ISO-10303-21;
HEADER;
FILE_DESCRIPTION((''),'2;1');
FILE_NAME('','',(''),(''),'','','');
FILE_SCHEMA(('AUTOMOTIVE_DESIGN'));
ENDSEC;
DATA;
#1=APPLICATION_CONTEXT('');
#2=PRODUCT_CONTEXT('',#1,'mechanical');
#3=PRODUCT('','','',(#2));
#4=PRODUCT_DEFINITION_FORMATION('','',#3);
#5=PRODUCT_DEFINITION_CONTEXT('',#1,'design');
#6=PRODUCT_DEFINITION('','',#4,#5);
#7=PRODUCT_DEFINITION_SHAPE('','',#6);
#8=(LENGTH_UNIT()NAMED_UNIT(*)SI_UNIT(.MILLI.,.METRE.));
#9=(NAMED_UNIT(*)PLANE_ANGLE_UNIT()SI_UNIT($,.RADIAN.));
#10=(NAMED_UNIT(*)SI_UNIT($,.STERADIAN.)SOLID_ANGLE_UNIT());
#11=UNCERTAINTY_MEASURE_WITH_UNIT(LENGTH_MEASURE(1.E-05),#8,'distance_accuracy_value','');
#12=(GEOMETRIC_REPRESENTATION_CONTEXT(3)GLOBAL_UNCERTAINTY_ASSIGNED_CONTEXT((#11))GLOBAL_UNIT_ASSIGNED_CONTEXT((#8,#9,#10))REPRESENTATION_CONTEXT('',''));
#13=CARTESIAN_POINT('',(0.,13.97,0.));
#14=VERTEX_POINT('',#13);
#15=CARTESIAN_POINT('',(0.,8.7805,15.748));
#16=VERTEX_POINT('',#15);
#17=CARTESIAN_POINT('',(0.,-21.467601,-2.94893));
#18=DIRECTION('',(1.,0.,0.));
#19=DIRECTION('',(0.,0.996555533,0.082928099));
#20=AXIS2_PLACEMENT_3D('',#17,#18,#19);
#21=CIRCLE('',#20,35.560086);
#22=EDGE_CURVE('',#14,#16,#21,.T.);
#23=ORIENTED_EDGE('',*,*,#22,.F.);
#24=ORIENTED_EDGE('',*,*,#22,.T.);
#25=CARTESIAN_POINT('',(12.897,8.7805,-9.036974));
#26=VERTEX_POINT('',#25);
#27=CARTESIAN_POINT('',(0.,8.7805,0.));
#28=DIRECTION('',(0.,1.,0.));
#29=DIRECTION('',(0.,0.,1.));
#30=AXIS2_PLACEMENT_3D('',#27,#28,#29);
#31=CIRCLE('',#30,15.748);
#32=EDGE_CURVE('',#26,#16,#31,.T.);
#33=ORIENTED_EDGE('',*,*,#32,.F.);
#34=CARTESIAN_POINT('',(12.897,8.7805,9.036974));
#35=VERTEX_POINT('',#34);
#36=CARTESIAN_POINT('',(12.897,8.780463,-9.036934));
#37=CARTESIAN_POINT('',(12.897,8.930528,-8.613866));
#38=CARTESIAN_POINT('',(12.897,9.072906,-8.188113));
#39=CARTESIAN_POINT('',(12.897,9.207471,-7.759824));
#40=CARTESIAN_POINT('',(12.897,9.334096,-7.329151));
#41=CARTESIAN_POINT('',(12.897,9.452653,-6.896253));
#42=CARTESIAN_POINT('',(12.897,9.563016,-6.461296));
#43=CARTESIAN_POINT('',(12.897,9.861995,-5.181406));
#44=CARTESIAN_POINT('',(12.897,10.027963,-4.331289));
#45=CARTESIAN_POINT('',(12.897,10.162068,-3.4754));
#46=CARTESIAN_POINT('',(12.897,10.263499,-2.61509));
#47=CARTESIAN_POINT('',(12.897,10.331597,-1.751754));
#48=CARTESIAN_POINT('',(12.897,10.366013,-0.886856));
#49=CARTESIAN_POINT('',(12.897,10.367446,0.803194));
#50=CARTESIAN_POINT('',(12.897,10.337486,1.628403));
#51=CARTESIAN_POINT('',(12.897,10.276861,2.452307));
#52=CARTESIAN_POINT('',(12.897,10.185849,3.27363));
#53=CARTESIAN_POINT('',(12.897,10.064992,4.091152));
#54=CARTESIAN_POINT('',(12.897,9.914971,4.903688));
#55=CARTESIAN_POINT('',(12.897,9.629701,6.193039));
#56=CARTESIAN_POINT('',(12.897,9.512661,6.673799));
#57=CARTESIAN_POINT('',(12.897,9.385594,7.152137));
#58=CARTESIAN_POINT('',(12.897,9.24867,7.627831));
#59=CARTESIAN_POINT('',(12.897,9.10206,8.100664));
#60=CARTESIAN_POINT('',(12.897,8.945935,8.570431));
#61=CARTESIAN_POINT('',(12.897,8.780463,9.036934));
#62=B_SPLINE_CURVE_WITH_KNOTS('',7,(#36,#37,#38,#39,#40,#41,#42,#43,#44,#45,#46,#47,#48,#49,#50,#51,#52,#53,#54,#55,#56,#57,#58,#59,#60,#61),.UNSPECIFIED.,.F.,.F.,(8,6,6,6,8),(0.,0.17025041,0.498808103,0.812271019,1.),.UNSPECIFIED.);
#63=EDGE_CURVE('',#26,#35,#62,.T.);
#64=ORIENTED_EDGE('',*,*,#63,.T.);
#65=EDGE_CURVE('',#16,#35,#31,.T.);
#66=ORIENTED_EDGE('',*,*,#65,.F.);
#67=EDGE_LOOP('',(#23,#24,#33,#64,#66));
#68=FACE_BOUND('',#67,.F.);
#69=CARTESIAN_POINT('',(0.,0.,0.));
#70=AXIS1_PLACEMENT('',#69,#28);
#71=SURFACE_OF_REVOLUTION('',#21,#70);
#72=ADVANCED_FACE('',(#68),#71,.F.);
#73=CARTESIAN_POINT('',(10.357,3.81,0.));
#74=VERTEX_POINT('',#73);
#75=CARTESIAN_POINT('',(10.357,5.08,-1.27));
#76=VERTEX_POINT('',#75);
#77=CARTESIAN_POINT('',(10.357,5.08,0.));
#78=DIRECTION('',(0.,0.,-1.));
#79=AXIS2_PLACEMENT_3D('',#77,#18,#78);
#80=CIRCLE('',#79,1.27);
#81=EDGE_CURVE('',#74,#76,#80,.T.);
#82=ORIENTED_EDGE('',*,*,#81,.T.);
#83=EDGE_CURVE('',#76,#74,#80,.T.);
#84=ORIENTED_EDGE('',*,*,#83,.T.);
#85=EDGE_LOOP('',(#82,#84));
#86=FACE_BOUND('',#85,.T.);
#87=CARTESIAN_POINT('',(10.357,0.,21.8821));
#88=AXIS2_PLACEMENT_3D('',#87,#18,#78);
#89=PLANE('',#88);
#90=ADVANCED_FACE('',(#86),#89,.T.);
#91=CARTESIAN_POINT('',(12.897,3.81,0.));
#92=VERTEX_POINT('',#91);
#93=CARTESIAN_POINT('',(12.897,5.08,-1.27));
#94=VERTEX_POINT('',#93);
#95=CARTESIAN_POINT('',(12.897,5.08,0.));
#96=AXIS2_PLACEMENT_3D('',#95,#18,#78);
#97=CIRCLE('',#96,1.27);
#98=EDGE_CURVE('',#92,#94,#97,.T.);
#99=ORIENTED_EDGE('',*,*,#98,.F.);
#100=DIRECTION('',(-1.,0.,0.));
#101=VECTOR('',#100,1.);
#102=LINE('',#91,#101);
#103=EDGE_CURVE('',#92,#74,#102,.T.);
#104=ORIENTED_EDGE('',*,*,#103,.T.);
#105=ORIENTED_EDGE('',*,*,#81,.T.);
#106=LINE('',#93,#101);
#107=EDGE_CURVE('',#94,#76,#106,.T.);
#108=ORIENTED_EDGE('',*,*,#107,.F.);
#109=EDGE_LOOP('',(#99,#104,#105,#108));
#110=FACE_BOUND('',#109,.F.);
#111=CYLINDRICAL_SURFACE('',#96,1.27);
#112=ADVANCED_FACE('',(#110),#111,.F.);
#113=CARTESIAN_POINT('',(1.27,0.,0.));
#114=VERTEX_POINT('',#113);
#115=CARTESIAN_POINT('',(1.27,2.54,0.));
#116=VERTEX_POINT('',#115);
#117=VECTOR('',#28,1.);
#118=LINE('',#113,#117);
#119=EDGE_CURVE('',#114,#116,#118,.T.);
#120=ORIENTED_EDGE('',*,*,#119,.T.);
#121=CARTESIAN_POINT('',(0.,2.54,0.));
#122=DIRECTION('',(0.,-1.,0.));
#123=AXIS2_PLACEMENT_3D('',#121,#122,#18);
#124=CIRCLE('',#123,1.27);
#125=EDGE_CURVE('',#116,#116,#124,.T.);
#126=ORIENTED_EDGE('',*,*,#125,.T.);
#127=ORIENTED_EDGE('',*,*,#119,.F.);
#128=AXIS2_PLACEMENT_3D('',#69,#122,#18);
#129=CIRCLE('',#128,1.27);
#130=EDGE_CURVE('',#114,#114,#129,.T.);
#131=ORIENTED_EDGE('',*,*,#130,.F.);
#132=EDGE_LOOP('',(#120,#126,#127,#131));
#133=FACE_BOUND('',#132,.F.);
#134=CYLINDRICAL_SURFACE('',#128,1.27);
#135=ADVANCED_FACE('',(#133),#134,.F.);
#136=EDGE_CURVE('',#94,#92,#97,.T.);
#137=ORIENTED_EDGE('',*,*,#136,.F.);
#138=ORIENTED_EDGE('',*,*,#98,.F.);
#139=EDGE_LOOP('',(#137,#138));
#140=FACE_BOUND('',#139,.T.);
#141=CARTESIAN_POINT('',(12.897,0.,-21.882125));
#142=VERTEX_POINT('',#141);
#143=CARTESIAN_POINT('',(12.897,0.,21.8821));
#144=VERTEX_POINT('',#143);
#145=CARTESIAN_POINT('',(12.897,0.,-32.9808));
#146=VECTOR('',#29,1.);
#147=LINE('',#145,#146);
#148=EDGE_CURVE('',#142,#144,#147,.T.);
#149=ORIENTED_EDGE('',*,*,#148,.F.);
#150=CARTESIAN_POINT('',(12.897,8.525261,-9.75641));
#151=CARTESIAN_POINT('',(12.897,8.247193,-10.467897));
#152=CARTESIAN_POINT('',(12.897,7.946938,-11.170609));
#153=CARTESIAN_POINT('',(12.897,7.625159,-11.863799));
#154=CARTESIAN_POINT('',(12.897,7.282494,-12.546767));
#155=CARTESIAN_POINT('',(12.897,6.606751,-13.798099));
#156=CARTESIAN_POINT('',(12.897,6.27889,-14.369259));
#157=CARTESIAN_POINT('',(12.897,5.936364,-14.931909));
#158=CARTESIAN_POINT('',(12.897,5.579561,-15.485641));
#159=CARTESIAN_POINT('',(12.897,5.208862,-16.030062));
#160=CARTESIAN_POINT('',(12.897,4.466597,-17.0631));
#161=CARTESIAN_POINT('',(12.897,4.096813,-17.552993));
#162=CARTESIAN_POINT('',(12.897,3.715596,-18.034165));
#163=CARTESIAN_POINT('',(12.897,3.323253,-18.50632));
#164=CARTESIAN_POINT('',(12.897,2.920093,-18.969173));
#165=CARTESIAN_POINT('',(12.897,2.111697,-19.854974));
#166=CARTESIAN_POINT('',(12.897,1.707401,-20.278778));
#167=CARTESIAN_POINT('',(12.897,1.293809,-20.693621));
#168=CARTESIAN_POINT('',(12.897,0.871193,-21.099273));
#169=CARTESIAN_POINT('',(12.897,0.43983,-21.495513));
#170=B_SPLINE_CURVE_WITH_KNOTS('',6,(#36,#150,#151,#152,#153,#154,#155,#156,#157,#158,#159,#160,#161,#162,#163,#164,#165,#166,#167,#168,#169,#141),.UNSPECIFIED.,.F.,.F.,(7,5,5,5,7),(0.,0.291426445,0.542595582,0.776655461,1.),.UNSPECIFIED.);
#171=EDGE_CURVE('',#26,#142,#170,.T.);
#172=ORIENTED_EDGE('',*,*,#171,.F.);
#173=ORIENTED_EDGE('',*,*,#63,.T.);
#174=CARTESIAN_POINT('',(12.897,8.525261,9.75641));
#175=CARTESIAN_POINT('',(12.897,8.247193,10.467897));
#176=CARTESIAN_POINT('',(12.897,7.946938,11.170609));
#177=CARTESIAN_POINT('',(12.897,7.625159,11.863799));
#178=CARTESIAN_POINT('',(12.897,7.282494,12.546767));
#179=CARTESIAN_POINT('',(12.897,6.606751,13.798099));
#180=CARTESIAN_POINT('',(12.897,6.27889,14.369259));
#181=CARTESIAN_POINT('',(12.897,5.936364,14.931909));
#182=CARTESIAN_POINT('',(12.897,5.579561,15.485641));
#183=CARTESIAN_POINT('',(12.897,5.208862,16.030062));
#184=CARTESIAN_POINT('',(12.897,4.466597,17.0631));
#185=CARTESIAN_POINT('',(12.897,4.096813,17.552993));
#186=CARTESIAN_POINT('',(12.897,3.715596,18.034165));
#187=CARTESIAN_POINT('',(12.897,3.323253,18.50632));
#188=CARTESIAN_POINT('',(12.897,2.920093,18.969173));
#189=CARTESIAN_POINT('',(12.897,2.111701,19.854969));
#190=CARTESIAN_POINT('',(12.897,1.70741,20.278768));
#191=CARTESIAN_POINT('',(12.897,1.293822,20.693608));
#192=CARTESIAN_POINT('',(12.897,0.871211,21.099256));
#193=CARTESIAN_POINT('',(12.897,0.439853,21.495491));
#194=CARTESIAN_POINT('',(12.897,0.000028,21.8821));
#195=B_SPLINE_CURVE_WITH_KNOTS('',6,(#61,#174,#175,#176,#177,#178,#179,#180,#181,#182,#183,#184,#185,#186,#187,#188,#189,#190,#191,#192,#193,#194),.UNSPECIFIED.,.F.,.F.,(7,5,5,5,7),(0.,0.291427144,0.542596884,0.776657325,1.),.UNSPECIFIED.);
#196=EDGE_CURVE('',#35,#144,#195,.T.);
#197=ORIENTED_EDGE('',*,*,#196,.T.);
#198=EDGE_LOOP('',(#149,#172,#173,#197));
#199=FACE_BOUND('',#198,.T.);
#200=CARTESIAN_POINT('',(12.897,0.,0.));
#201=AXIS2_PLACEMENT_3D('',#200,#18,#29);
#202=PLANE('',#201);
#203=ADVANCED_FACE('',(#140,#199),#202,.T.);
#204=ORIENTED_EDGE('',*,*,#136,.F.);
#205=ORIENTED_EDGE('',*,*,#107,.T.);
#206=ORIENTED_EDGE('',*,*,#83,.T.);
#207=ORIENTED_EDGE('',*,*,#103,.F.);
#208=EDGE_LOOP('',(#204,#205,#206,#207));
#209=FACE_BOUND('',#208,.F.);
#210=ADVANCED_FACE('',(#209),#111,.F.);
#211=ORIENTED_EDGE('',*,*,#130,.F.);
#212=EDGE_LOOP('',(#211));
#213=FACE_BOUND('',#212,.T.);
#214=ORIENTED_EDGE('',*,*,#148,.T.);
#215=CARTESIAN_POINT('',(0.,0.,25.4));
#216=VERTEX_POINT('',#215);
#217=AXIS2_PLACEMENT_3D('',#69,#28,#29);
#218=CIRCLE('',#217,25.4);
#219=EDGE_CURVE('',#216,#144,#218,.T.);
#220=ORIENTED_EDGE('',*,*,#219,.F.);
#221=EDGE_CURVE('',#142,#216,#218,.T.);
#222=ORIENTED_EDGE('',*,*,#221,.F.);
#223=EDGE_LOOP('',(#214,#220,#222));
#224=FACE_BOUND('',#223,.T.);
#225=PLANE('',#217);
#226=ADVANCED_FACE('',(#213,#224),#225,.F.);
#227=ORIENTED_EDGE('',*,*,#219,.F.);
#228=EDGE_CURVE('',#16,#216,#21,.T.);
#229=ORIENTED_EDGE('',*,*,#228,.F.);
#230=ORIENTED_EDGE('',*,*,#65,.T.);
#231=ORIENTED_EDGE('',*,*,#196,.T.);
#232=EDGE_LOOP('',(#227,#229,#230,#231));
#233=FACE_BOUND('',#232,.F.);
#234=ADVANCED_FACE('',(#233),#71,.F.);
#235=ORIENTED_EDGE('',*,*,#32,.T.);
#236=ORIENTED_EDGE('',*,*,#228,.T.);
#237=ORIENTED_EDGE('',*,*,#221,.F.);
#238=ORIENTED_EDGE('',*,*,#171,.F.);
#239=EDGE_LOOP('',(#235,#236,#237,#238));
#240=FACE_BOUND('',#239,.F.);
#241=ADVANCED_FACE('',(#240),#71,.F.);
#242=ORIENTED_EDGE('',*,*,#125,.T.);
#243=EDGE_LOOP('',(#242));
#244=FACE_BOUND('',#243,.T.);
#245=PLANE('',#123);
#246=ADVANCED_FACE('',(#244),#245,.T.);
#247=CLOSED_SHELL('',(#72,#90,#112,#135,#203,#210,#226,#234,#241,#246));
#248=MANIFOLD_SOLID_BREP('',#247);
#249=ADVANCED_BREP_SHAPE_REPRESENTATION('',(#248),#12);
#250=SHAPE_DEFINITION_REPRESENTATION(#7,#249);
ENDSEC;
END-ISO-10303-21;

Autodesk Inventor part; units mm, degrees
ref_plane "YZ Plane" through (0, 0, 0) normal (1, 0, 0) x (0, 1, 0)
ref_plane "XZ Plane" through (0, 0, 0) normal (0, 1, 0) x (-1, 0, 0)
ref_plane "XY Plane" through (0, 0, 0) normal (0, 0, 1) x (1, 0, 0)
sketch "Sketch1" plane through (0, 0, 0) normal (1, 0, 0) x (0, 1, 0)
  line L0 (0, 0) -> (0, 25.4)
  line L1 (0, 0) -> (13.97, 0)
  arc A0 (13.97, 0) -> (0, 25.4) centre (-21.4675, -2.9489) ccw
  line L2 (0, 0) -> (0, 15.748)
  line L3 (0, 15.748) -> (8.7805, 15.748)
  dimension "d0" = 25.4
  dimension "d1" = 13.97
  dimension "d2" = 35.56
  dimension "d3" = 15.748
revolve "Revolution1" add sketch "Sketch1" angle 360 about axis through (0, 0, 0) along (0, 1, 0)
sketch "Sketch4" plane through (0, 0, 0) normal (0, -1, 0) x (1, 0, 0)
  line L0 (0, 0) -> (12.897, 0)
  line L1 (12.897, 0) -> (12.897, 21.8821)
  circle A0 centre (0, 0) radius 25.4 projected
  line L2 (12.897, 21.8821) -> (38.6124, 21.8821)
  line L3 (38.6124, 21.8821) -> (38.6124, -32.9808)
  line L4 (38.6124, -32.9808) -> (12.897, -32.9808)
  line L5 (12.897, -32.9808) -> (12.897, 21.8821)
  dimension "d12" = 21.8821
extrude "Extrusion3" cut sketch "Sketch4" against normal through all contours L1 A0 L5 | L2 L3 L4 L5 A0 picked at (14.3084, 13.5451)
sketch "Sketch5" plane through (12.897, 0, 21.8821) normal (1, 0, 0) x (0, 0, -1)
  line L0 (21.8821, 0) -> (21.8821, 5.08)
  circle A0 centre (21.8821, 5.08) radius 1.27
  dimension "d15" = 5.08
  dimension "d16" = 2.54
extrude "Extrusion4" cut sketch "Sketch5" against normal blind 2.54
sketch "Sketch6" plane through (0, 0, 0) normal (0, -1, 0) x (1, 0, 0)
  circle A0 centre (0, 0) radius 1.27
  dimension "d19" = 2.54
extrude "Extrusion5" cut sketch "Sketch6" against normal blind 2.54
properties part number "camera side"
